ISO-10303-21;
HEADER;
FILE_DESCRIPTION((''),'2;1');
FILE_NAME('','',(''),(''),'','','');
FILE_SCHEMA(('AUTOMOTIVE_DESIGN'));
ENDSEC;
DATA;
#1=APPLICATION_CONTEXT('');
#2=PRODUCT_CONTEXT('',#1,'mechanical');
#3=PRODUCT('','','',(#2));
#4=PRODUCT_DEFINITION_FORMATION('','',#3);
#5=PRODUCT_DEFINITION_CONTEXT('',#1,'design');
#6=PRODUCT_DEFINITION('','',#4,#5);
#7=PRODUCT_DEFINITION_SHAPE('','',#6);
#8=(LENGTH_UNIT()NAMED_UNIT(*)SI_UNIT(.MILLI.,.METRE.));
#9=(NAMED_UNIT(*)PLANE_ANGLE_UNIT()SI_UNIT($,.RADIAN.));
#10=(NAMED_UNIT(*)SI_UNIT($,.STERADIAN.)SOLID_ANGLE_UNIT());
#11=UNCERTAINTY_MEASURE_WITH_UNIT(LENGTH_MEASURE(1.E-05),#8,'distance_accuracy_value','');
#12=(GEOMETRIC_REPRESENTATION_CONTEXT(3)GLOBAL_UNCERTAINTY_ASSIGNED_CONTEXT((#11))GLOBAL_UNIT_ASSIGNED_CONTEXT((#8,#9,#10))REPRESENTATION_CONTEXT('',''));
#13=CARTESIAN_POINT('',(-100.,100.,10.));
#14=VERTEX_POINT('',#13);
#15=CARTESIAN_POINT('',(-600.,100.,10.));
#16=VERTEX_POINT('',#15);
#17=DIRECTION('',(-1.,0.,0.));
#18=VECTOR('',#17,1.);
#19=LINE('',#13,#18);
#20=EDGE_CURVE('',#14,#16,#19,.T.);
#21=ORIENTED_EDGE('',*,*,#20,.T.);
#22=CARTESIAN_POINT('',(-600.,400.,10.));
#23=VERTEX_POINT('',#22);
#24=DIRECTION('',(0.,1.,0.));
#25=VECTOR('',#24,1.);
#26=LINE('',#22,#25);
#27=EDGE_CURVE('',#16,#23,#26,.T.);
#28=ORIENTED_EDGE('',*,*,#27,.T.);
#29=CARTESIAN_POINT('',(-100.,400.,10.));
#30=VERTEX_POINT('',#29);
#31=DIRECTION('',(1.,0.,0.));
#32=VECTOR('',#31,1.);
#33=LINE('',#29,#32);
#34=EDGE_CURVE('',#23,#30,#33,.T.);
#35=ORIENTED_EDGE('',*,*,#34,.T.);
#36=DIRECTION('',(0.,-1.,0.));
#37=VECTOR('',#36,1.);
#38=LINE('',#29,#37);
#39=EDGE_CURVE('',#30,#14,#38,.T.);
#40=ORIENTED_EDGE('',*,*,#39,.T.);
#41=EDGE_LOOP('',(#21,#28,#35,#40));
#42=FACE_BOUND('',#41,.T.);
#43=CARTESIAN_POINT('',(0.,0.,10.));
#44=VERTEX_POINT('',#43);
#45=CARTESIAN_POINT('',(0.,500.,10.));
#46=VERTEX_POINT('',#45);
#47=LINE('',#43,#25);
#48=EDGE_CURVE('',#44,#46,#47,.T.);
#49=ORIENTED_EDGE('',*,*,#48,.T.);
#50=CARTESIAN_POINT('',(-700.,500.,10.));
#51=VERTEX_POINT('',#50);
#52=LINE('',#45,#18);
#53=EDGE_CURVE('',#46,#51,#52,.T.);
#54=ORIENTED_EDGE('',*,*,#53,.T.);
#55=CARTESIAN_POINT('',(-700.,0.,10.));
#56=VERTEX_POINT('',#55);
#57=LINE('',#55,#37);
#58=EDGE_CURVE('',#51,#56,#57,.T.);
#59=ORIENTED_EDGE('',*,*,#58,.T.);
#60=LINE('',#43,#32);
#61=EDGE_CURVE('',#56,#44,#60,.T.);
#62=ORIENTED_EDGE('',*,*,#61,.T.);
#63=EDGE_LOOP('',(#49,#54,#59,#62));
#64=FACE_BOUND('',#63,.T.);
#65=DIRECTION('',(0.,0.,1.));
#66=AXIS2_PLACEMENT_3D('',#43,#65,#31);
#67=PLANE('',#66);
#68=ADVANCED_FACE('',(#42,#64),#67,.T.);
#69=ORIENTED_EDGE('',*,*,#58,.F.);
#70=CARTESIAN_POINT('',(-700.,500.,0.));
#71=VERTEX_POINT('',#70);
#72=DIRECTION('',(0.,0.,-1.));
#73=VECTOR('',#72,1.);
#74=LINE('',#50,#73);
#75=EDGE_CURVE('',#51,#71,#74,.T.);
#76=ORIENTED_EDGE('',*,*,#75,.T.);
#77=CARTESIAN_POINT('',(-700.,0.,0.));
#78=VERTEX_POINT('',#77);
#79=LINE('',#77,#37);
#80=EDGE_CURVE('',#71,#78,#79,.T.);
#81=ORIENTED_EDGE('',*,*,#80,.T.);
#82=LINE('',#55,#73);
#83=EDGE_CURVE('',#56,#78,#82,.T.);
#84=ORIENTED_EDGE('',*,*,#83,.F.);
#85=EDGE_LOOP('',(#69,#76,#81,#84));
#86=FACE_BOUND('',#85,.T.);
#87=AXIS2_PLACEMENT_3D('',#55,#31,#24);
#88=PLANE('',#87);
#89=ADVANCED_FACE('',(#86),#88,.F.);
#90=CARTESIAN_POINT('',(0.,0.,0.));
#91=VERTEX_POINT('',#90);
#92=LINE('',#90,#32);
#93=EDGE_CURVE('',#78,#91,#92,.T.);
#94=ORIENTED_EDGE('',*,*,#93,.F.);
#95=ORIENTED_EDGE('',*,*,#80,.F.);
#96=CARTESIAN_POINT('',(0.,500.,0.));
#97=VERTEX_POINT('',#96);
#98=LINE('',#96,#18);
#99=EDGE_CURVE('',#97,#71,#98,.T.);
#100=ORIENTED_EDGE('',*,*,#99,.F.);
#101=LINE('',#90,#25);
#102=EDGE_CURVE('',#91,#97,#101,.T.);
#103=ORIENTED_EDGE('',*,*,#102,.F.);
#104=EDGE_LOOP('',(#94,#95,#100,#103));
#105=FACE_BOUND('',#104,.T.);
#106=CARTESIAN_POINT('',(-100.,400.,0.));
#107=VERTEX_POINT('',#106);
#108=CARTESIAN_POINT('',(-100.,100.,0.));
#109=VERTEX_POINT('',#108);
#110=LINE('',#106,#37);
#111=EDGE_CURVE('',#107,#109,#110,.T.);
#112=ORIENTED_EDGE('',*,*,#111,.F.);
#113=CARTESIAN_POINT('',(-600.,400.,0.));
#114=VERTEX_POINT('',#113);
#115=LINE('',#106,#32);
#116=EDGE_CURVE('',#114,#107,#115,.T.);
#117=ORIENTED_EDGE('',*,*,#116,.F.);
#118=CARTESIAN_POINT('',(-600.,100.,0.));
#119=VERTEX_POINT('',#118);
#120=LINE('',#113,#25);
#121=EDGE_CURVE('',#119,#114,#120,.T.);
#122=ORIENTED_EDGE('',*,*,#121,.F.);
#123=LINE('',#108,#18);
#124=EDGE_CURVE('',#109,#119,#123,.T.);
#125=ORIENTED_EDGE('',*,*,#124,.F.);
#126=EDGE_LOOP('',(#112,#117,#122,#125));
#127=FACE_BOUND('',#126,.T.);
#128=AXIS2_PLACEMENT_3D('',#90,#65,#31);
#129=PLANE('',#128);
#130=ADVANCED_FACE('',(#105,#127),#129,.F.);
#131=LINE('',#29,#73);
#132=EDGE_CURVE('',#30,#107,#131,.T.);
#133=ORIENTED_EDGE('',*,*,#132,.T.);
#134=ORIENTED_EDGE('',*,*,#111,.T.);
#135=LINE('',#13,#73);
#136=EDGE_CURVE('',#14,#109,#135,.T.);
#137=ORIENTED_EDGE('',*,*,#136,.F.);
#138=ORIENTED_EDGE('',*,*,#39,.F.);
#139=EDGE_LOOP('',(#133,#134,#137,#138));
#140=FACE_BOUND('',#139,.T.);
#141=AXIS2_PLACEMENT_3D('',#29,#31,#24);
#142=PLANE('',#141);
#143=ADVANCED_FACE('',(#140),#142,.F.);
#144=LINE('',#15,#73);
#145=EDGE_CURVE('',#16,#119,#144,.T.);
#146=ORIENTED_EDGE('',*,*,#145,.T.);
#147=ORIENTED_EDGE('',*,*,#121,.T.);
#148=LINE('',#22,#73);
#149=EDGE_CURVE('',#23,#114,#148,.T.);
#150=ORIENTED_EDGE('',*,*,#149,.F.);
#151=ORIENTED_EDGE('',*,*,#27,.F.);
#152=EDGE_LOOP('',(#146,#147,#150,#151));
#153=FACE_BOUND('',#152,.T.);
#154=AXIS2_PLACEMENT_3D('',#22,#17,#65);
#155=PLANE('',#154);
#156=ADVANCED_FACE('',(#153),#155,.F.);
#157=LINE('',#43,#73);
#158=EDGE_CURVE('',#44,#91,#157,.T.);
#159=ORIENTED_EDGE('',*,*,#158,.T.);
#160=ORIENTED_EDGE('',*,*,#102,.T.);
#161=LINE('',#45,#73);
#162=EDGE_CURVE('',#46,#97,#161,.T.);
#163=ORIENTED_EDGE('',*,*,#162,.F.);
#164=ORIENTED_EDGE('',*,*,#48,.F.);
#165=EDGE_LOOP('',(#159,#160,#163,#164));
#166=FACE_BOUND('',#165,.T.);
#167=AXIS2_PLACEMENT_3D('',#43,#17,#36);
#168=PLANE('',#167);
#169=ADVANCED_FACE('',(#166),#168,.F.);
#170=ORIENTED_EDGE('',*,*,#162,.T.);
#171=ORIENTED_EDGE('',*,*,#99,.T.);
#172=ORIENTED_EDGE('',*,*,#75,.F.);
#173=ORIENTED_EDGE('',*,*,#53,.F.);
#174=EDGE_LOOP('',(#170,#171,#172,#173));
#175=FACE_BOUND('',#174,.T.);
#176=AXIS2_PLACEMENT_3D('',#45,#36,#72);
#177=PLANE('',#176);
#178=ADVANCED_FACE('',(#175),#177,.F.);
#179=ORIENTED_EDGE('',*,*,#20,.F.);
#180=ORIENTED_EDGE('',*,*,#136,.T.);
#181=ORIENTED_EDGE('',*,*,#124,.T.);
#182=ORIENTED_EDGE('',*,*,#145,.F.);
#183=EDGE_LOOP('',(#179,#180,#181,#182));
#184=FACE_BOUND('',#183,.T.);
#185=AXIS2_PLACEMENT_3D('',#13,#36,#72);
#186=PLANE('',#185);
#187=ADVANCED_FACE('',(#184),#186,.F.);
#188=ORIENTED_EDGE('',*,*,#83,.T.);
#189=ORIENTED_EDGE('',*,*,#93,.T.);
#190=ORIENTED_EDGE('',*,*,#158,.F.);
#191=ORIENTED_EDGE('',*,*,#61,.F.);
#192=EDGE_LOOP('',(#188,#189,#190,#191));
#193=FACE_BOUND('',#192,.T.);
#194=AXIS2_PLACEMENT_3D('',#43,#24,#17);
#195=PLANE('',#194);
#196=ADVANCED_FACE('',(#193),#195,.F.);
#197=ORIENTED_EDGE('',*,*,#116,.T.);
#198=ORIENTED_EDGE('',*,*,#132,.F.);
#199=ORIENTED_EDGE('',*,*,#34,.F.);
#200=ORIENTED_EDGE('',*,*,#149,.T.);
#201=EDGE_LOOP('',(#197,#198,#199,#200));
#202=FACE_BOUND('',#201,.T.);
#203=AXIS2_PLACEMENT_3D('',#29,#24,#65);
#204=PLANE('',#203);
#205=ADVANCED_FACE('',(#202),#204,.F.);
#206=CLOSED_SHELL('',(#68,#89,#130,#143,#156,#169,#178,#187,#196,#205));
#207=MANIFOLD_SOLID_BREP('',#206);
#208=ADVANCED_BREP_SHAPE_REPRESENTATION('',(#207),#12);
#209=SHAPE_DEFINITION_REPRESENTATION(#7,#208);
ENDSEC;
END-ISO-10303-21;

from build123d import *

# Parameters (mm, degrees)
ESQUISSE1_W             = 700
ESQUISSE1_H             = 500
BOSS_EXTRU_1_DEPTH      = 10
ESQUISSE2_W             = 500
ESQUISSE2_H             = 300
ENL_V_MAT_EXTRU_1_DEPTH = 10


with BuildPart() as part:
    # Esquisse1 → Boss.-Extru.1 (new body)
    with BuildSketch(Plane.XY):
        with Locations((-350, 250)):
            Rectangle(ESQUISSE1_W, ESQUISSE1_H)
    extrude(amount=BOSS_EXTRU_1_DEPTH)

    # Esquisse2 → Enlèv. mat.-Extru.1 (cut)
    with BuildSketch(Plane(origin=(0, 0, 0), x_dir=(-1, 0, 0), z_dir=(0, 0, -1))):
        with Locations((350, 250)):
            Rectangle(ESQUISSE2_W, ESQUISSE2_H)
    extrude(amount=-ENL_V_MAT_EXTRU_1_DEPTH, mode=Mode.SUBTRACT)


solid = part.part
